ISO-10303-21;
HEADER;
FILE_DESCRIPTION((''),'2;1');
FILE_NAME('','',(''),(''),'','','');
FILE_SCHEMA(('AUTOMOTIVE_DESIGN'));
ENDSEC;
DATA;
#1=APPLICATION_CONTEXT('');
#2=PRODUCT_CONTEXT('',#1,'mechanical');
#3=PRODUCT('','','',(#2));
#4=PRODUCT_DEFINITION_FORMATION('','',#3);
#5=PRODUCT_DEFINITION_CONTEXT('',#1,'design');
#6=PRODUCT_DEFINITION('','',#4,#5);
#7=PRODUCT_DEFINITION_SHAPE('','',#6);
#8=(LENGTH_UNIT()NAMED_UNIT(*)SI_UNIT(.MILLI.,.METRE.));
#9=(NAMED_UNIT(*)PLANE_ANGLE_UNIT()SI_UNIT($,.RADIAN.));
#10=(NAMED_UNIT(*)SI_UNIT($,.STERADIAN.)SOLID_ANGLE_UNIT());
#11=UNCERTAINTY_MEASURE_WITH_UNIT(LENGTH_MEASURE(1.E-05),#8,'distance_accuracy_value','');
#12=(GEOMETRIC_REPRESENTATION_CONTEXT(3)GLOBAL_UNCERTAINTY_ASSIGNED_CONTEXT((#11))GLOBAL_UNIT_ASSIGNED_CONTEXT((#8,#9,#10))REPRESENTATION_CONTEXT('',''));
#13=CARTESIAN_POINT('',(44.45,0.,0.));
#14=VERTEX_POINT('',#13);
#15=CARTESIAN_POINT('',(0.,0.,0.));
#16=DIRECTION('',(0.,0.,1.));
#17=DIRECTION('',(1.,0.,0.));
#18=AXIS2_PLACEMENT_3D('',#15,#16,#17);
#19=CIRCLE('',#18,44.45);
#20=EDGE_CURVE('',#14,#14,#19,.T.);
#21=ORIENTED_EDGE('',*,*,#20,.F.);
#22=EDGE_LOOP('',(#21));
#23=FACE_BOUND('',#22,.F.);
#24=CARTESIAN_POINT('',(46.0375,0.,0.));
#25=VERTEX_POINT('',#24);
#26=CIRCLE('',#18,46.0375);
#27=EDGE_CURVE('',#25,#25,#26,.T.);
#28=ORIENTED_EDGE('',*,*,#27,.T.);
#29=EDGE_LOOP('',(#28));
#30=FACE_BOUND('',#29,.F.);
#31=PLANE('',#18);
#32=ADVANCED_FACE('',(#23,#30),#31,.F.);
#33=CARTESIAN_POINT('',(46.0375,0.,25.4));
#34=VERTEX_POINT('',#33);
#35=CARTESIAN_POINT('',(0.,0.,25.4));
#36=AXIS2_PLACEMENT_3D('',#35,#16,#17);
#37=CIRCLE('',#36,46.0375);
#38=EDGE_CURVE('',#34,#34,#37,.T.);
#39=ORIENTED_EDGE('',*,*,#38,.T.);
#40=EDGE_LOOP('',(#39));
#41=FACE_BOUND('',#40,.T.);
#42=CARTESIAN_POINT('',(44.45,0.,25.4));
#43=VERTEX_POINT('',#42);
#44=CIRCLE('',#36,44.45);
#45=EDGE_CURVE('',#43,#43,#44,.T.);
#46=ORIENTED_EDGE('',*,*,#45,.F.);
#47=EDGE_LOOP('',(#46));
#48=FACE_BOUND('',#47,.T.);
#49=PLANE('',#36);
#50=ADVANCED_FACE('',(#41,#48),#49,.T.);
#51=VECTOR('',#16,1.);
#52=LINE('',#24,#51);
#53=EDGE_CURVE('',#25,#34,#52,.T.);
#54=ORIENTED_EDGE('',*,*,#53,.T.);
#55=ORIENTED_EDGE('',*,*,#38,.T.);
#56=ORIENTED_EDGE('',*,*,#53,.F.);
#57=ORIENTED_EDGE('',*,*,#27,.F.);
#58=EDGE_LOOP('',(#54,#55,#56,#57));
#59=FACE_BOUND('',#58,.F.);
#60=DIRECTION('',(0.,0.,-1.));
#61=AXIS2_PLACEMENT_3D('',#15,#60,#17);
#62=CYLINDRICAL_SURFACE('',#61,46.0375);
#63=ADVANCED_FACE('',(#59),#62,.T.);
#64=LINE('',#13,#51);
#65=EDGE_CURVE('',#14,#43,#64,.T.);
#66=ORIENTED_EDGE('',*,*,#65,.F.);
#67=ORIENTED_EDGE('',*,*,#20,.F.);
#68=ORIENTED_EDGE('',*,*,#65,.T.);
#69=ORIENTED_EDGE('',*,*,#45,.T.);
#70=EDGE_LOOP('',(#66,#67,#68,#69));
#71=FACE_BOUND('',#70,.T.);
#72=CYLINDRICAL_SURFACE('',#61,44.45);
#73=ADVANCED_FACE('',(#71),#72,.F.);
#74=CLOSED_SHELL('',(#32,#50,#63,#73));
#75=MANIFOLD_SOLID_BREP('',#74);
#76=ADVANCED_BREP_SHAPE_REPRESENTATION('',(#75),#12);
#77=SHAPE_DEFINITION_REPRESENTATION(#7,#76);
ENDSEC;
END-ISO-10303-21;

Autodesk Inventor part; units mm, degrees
ref_plane "YZ Plane" through (0, 0, 0) normal (1, 0, 0) x (0, 1, 0)
ref_plane "XZ Plane" through (0, 0, 0) normal (0, 1, 0) x (-1, 0, 0)
ref_plane "XY Plane" through (0, 0, 0) normal (0, 0, 1) x (1, 0, 0)
sketch "Sketch1" plane through (0, 0, 0) normal (0, 0, 1) x (1, 0, 0)
  circle A0 centre (0, 0) radius 44.45
  circle A1 centre (0, 0) radius 46.0375
  dimension "d0" = 88.9
  dimension "d1" = 92.075
extrude "Extrusion1" add sketch "Sketch1" along normal blind 25.4
properties part number "CapSleeve"
